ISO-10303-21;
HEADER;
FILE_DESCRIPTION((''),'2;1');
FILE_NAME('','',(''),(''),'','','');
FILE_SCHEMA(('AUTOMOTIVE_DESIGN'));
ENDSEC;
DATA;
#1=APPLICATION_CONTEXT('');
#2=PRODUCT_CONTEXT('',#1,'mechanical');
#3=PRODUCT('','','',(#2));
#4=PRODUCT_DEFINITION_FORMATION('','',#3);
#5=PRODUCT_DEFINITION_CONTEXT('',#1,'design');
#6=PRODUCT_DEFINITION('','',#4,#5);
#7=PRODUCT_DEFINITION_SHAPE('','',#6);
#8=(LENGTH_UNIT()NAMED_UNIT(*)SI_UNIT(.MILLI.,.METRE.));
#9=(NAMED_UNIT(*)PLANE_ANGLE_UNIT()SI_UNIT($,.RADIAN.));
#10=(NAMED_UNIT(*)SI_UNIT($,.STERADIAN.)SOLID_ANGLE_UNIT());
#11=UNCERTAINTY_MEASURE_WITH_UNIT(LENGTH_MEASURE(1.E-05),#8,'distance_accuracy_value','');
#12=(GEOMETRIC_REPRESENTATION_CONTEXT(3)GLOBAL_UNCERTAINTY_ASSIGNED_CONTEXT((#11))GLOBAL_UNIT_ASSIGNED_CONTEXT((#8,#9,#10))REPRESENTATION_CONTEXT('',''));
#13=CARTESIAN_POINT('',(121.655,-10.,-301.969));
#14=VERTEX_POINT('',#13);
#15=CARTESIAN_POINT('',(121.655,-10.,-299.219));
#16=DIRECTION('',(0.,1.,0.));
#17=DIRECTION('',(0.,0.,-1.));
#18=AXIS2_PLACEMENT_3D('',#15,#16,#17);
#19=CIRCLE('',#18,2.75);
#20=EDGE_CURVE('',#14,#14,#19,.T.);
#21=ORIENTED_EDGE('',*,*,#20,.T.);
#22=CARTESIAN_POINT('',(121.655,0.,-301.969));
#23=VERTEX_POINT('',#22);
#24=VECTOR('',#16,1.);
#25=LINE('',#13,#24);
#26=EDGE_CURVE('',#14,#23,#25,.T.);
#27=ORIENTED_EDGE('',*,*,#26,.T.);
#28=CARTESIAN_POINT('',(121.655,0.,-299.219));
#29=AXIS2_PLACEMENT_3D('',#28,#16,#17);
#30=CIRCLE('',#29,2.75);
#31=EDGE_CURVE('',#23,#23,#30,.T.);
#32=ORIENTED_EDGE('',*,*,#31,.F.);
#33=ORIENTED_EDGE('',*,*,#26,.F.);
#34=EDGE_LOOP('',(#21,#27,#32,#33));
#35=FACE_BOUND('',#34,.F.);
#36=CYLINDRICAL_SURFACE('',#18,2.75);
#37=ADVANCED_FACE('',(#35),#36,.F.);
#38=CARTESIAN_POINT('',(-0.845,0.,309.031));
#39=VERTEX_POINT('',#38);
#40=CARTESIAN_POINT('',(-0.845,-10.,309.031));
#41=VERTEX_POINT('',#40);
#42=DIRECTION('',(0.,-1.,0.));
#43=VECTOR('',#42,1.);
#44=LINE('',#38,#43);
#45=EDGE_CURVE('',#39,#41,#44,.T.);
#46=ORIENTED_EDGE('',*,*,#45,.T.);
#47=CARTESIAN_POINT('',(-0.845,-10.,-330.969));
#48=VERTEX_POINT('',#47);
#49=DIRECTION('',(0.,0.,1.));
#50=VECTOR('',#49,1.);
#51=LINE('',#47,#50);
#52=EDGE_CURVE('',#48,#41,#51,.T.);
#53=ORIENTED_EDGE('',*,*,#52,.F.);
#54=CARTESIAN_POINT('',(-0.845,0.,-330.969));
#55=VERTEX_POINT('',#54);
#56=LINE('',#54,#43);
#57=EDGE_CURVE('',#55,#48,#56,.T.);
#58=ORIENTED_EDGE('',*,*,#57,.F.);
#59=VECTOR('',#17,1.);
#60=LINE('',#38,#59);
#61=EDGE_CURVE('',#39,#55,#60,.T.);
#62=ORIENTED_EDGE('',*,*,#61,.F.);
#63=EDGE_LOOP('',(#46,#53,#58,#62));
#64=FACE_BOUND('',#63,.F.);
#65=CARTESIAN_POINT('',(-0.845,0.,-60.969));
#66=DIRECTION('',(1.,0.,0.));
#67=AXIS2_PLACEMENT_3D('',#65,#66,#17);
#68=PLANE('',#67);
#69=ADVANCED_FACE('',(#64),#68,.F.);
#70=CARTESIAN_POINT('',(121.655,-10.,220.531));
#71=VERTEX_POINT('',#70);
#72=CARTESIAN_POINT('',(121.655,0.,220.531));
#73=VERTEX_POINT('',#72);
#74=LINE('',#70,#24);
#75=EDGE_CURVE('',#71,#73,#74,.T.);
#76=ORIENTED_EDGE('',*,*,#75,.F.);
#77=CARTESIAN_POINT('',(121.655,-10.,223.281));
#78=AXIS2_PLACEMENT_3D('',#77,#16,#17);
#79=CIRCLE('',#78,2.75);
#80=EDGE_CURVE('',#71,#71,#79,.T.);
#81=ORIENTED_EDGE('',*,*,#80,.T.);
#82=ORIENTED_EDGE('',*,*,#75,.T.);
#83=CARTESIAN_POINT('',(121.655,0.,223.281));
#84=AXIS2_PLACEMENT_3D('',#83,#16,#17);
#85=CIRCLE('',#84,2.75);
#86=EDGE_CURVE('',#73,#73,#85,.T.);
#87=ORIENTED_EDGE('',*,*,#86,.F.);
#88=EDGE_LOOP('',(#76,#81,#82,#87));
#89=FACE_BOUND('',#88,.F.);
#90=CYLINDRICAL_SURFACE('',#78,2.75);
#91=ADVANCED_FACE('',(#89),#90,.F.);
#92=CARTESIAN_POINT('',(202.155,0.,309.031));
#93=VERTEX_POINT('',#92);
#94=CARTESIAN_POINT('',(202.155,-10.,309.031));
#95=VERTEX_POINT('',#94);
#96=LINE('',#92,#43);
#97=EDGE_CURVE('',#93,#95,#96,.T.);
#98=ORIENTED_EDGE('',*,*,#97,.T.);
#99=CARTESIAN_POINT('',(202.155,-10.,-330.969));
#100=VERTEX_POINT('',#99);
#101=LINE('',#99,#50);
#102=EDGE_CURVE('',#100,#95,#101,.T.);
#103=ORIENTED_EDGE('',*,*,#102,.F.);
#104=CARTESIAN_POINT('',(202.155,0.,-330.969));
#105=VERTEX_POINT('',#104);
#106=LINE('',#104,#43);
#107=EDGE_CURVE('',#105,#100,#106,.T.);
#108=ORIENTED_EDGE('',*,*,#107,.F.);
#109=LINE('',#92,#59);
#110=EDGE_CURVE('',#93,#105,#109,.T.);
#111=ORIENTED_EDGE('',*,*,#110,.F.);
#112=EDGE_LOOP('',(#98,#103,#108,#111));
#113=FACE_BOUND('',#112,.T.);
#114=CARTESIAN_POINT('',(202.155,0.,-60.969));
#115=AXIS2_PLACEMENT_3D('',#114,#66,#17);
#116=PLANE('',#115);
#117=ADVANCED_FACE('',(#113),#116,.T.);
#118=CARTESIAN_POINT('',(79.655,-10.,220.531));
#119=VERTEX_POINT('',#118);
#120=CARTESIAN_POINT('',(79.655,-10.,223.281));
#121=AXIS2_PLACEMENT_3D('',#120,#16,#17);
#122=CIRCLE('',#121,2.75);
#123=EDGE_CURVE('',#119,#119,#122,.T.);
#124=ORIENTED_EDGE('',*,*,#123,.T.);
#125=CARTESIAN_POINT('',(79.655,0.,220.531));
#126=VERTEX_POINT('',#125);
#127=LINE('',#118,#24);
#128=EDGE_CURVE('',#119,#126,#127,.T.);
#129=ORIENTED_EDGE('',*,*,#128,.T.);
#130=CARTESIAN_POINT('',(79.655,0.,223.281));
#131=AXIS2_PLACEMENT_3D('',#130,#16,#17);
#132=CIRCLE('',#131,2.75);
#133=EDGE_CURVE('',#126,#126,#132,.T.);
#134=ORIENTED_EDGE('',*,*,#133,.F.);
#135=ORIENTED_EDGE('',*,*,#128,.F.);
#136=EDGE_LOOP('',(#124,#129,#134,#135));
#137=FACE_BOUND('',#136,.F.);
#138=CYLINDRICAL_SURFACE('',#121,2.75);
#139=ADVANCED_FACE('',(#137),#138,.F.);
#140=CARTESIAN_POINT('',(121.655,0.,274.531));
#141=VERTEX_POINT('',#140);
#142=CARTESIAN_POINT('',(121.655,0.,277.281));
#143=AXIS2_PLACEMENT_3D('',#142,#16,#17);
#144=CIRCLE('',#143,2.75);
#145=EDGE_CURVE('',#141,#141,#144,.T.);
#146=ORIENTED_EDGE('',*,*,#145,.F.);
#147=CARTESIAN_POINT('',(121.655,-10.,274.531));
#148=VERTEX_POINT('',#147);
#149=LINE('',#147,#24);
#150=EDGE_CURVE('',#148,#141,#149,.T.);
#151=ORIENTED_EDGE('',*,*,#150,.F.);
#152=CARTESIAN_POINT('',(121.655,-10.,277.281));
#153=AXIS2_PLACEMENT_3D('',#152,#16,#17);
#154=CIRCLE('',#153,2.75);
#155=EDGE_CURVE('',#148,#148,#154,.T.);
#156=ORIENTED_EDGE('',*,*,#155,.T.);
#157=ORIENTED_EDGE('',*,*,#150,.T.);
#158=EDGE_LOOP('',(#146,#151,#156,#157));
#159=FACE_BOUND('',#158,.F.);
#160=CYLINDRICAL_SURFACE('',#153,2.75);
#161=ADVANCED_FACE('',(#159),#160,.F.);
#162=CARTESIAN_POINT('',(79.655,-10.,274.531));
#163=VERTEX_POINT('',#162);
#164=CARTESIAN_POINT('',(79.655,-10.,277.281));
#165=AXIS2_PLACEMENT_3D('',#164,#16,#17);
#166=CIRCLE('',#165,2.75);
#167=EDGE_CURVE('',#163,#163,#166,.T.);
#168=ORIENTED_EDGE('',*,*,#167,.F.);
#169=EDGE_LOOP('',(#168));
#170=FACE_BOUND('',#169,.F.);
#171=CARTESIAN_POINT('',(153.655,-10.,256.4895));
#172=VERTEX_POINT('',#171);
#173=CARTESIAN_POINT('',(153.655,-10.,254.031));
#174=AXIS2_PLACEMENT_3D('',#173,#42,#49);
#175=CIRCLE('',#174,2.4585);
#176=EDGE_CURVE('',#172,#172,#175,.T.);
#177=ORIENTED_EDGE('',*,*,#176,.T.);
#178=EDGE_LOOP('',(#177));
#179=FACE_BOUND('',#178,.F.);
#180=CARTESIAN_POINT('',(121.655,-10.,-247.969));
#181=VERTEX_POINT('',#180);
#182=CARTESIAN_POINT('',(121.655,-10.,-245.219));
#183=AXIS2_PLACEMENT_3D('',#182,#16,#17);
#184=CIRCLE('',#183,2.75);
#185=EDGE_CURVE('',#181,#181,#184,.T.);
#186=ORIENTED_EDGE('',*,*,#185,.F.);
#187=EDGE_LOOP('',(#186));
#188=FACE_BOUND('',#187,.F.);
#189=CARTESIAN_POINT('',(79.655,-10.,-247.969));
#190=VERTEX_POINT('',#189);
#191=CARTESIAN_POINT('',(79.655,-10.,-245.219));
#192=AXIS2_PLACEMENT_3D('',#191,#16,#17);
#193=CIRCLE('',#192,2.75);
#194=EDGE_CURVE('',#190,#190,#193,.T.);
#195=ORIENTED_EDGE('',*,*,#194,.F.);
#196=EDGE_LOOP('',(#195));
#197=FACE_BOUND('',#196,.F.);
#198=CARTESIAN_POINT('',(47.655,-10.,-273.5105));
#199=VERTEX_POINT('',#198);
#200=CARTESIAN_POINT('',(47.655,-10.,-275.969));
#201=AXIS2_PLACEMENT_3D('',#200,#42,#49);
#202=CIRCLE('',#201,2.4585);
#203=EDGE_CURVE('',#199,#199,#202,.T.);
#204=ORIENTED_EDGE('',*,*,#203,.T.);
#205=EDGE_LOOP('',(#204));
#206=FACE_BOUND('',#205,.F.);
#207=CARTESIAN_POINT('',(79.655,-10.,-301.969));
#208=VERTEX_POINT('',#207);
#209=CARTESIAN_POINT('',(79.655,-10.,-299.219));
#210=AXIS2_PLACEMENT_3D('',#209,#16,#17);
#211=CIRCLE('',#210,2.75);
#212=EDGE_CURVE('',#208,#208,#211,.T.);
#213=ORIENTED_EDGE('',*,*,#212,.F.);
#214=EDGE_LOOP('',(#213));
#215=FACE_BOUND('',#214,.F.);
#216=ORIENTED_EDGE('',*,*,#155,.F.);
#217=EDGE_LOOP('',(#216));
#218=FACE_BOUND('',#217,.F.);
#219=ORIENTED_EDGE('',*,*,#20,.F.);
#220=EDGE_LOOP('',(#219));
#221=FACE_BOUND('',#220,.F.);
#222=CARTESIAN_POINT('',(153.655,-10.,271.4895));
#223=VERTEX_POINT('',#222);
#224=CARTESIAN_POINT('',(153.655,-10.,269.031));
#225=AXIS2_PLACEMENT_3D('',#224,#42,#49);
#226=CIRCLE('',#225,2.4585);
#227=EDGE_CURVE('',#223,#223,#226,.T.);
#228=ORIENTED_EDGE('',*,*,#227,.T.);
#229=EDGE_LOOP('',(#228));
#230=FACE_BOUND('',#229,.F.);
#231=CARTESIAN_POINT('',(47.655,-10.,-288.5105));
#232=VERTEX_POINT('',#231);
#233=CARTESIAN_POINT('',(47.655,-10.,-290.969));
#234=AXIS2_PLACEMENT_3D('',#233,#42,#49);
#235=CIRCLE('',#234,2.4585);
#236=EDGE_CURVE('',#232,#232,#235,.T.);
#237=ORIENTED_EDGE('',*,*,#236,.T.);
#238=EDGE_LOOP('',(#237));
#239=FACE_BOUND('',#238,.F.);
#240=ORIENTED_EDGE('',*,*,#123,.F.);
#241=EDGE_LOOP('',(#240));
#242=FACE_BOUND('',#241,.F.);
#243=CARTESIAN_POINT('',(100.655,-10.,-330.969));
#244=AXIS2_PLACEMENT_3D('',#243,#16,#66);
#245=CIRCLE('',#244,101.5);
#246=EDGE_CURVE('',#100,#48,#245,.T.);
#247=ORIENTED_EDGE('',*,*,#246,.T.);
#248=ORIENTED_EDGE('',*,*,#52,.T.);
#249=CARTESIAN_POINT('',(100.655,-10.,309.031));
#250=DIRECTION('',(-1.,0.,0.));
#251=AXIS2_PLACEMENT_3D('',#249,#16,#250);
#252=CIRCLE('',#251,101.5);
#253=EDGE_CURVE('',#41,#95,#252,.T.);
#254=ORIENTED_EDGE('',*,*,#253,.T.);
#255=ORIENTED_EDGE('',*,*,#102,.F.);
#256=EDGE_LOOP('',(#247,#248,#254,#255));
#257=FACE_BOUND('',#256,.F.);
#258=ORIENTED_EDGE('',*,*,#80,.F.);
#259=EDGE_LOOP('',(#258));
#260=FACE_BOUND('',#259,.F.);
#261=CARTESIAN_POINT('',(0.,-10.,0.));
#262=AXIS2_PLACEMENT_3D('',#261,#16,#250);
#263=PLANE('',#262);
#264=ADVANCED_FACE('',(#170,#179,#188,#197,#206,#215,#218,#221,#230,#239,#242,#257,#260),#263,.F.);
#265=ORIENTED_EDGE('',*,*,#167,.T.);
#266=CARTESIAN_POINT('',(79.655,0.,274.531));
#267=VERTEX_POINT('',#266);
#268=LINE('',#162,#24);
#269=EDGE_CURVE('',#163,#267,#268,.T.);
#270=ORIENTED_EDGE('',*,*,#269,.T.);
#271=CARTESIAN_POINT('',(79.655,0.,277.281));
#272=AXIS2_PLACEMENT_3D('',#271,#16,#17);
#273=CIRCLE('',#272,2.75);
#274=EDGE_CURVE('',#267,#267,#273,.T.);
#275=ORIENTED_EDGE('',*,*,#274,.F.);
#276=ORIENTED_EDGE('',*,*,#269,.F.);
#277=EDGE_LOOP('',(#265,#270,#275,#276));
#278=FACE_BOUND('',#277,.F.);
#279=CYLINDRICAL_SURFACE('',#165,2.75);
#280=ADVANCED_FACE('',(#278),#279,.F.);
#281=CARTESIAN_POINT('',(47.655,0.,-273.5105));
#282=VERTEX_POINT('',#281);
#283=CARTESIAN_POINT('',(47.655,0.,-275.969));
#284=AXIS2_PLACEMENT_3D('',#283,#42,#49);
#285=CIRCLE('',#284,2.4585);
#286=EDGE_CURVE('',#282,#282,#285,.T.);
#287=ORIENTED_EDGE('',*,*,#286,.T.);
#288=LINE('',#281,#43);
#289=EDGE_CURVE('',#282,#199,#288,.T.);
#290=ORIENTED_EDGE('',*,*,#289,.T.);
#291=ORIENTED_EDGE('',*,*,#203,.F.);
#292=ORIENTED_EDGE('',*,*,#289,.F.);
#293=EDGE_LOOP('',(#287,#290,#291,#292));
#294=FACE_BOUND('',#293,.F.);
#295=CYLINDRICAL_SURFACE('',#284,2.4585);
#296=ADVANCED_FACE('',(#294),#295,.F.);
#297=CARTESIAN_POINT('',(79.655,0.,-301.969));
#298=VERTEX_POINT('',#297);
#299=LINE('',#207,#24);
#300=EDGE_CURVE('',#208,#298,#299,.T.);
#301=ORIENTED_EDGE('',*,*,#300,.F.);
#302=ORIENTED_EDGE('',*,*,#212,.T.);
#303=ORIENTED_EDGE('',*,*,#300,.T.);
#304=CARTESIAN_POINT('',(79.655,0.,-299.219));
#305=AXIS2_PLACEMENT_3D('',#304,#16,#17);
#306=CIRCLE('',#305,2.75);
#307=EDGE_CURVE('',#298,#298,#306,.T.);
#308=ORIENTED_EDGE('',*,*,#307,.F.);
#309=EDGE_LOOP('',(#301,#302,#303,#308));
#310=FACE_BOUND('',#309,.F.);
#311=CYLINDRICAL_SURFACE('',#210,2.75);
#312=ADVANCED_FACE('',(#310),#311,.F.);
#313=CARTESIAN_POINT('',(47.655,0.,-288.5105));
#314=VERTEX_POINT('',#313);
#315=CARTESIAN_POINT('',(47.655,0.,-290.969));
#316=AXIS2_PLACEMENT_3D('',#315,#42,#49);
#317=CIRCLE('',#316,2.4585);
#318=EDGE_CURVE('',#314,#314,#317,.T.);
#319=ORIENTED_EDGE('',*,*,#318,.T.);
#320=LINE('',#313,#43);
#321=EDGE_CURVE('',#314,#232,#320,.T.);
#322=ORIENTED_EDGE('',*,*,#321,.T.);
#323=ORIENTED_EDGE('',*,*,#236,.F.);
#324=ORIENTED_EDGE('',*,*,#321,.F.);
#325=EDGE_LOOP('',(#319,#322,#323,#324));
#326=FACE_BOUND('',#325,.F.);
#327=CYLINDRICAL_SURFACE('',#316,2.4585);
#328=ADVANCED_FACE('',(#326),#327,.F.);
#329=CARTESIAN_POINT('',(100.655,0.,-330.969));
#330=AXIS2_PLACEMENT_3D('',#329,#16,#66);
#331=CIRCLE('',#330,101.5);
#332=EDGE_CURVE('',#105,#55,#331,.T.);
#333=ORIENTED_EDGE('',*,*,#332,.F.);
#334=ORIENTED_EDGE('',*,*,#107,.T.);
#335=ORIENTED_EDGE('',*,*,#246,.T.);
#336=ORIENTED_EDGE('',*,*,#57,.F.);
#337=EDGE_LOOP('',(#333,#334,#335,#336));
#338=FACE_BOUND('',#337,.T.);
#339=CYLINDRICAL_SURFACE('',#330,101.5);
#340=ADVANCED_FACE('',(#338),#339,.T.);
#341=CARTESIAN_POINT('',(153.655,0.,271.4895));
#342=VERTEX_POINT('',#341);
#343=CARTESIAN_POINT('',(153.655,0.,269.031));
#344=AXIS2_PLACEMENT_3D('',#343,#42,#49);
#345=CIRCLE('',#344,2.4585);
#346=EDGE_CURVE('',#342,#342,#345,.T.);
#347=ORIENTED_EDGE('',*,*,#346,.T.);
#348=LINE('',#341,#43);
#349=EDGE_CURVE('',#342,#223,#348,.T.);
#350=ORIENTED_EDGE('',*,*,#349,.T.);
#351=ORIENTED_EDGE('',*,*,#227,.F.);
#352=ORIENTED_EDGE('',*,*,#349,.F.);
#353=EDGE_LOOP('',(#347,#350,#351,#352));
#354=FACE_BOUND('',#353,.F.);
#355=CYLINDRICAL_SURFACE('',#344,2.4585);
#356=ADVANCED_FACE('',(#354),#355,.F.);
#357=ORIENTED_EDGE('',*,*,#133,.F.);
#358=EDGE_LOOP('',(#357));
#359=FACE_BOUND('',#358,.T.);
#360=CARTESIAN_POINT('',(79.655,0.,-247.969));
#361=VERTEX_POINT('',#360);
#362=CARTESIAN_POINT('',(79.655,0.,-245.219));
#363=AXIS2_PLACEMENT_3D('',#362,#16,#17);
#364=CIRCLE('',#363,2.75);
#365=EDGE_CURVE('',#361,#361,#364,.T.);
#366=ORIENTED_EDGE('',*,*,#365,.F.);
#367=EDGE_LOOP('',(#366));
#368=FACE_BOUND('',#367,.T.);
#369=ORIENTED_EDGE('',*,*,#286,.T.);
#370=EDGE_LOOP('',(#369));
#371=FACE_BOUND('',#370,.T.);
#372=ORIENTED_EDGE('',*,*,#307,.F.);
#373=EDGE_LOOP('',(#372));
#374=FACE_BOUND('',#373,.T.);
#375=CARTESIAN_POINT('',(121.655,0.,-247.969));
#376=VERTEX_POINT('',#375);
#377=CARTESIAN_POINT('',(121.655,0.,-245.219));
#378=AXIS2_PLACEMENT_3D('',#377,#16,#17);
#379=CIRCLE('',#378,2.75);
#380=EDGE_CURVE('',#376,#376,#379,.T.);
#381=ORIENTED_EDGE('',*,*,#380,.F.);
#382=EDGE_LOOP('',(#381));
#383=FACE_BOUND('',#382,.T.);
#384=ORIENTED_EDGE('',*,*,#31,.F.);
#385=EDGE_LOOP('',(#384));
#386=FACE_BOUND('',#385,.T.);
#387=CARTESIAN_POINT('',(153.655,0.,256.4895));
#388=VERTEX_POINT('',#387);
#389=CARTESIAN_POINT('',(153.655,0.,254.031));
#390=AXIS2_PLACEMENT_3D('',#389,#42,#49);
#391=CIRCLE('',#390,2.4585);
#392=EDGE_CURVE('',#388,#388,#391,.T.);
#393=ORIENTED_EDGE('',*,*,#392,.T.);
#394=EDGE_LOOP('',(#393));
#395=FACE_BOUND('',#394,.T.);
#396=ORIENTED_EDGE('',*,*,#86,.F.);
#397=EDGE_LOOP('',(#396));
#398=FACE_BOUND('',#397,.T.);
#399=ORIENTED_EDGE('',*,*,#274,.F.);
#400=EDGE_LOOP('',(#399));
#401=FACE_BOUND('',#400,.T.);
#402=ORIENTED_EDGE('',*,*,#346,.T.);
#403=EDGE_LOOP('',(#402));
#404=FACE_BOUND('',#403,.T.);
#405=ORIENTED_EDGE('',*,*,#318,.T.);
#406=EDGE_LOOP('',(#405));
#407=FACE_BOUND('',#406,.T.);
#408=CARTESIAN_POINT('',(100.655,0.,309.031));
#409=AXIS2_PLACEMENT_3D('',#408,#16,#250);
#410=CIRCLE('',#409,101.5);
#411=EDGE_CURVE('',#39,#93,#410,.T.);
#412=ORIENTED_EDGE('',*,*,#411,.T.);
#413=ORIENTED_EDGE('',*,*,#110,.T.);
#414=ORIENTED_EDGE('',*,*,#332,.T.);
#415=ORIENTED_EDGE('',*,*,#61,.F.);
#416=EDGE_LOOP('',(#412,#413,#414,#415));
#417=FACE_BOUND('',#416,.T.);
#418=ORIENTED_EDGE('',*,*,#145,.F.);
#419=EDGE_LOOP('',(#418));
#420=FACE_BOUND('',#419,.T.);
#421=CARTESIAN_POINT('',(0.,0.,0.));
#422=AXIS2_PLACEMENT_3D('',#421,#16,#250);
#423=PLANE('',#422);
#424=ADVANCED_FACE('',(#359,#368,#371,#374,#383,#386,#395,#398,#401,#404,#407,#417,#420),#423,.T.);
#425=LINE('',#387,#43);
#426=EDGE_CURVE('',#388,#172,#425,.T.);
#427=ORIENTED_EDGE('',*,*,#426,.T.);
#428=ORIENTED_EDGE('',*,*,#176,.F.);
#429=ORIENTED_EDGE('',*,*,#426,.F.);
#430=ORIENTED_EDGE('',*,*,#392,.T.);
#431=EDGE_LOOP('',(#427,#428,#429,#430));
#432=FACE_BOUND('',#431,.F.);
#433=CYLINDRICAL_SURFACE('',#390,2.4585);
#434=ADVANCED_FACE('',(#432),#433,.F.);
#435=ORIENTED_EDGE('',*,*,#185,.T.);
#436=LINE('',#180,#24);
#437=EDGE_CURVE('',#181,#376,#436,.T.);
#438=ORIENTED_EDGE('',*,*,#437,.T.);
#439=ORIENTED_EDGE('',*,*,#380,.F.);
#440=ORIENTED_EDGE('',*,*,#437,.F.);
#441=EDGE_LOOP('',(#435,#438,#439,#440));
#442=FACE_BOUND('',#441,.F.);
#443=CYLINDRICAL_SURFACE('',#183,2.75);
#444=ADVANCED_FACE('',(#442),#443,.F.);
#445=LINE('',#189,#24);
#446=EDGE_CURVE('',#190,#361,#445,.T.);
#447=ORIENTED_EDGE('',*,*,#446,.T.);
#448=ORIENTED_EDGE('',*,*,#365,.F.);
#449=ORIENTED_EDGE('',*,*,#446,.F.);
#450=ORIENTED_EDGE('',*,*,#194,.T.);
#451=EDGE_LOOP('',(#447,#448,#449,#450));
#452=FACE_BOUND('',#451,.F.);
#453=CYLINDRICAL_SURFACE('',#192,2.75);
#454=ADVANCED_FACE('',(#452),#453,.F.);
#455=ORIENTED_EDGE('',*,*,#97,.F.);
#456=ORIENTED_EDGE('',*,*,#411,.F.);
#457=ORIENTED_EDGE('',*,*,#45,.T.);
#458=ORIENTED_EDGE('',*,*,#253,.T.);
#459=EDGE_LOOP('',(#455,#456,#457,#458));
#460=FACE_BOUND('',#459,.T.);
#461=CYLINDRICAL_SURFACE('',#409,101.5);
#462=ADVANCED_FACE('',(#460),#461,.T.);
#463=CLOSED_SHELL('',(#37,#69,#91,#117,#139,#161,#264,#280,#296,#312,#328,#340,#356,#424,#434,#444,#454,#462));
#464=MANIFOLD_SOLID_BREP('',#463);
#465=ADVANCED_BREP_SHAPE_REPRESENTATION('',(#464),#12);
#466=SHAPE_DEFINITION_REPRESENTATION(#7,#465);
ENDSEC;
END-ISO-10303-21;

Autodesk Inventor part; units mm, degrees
ref_plane "YZ Plane" through (0, 0, 0) normal (1, 0, 0) x (0, 1, 0)
ref_plane "XZ Plane" through (0, 0, 0) normal (0, 1, 0) x (-1, 0, 0)
ref_plane "XY Plane" through (0, 0, 0) normal (0, 0, 1) x (1, 0, 0)
sketch "スケッチ1" plane through (0, 0, 0) normal (0, 1, 0) x (-1, 0, 0)
  point P0 (0, 0)
sketch "スケッチ2" plane through (0, 0, 0) normal (0, 1, 0) x (-1, 0, 0)
  line L0 (0.845, -60.969) -> (0.845, -330.969)
  line L1 (0, 0) -> (0, -1.5537)
  line L2 (-202.155, -60.969) -> (-202.155, -330.969)
  arc A0 (-202.155, -330.969) -> (0.845, -330.969) centre (-100.655, -330.969) ccw
  line L3 (0.845, -60.969) -> (0.845, 309.031)
  line L4 (-202.155, -60.969) -> (-202.155, 309.031)
  arc A1 (0.845, 309.031) -> (-202.155, 309.031) centre (-100.655, 309.031) ccw
  dimension "d0" = 270
  dimension "d1" = 203
extrude "押し出し1" add sketch "スケッチ2" against normal blind 10
sketch "スケッチ4" plane through (0, -10, 0) normal (0, -1, 0) x (1, 0, 0)
  line L0 (73.655, -234.969) -> (127.655, -234.969)
  line L1 (127.655, -234.969) -> (127.655, -310.969)
  line L2 (127.655, -310.969) -> (73.655, -310.969)
  line L3 (73.655, -310.969) -> (73.655, -234.969)
  line L4 (202.155, -330.969) -> (202.155, 309.031) projected
  line L5 (-0.845, 309.031) -> (-0.845, -330.969) projected
  arc A0 (-0.845, -330.969) -> (202.155, -330.969) centre (100.655, -330.969) ccw projected
  line L6 (-0.845, -10.969) -> (202.155, -10.969)
  arc A1 (202.155, 309.031) -> (-0.845, 309.031) centre (100.655, 309.031) ccw projected
  line L7 (73.655, 213.031) -> (127.655, 213.031)
  line L8 (127.655, 213.031) -> (127.655, 289.031)
  line L9 (127.655, 289.031) -> (73.655, 289.031)
  line L10 (73.655, 289.031) -> (73.655, 213.031)
  circle A2 centre (79.655, -299.219) radius 2.75
  line L11 (100.655, -256.1001) -> (100.655, -272.969)
  circle A3 centre (79.655, -245.219) radius 2.75
  circle A4 centre (121.655, -299.219) radius 2.75
  circle A5 centre (121.655, -245.219) radius 2.75
  line L12 (73.655, 213.031) -> (127.655, 213.031)
  line L13 (127.655, 213.031) -> (127.655, 289.031)
  line L14 (127.655, 289.031) -> (73.655, 289.031)
  line L15 (73.655, 289.031) -> (73.655, 213.031)
  circle A6 centre (79.655, 277.281) radius 2.75
  line L16 (100.655, 234.1622) -> (100.655, 251.031)
  circle A7 centre (79.655, 223.281) radius 2.75
  circle A8 centre (121.655, 223.281) radius 2.75
  circle A9 centre (121.655, 277.281) radius 2.75
  point P0 (0, 0)
  dimension "d4" = 74.5
  dimension "d5" = 74.5
  dimension "d6" = 54
  dimension "d7" = 76
  dimension "d8" = 20
  dimension "d9" = 320
  dimension "d17" = 5.5
  dimension "d18" = 11.75
  dimension "d19" = 6
  dimension "d20" = 27
  dimension "d21" = 5.5
  dimension "d22" = 10.25
  dimension "d23" = 6
hole "穴2" at (79.655, -10, -245.219) at (79.655, -10, -299.219) at (121.655, -10, -299.219) at (121.655, -10, -245.219) direction (0, 1, 0) diameter 5.5 end through all
hole "穴3" at (79.655, -10, 223.281) at (121.655, -10, 223.281) at (121.655, -10, 277.281) at (79.655, -10, 277.281) direction (0, 1, 0) diameter 5.5 end through all
sketch "スケッチ6" plane through (0, 0, 0) normal (0, 1, 0) x (1, 0, 0)
  circle A0 centre (153.655, -269.031) radius 6
  circle A1 centre (153.655, -254.031) radius 6
  line L0 (202.155, 330.969) -> (202.155, -309.031) projected
  arc A2 (-0.845, -309.031) -> (202.155, -309.031) centre (100.655, -309.031) ccw projected
  point P0 (0, 0)
  dimension "d40" = 12
  dimension "d41" = 12
  dimension "d42" = 15
  dimension "d43" = 48.5
  dimension "d44" = 48.5
  dimension "d45" = 40
hole "穴4" at (153.655, 0, 254.031) at (153.655, 0, 269.031) direction (0, -1, 0) diameter 4.917 end through all thread size "M6x1" class "6H" standard "ANSI Metric M Profile"
sketch "スケッチ7" plane through (0, 0, 0) normal (0, 1, 0) x (1, 0, 0)
  circle A0 centre (47.655, 290.969) radius 6
  circle A1 centre (47.655, 275.969) radius 6
  arc A2 (202.155, 330.969) -> (-0.845, 330.969) centre (100.655, 330.969) ccw projected
  line L0 (-0.845, -309.031) -> (-0.845, 330.969) projected
  point P0 (0, 0)
  dimension "d53" = 12
  dimension "d54" = 12
  dimension "d55" = 15
  dimension "d56" = 40
  dimension "d57" = 48.5
  dimension "d58" = 48.5
hole "穴5" at (47.655, 0, -290.969) at (47.655, 0, -275.969) direction (0, -1, 0) diameter 4.917 end through all thread size "M6x1" class "6H" standard "ANSI Metric M Profile"
properties part number "sfp_smartboard_lower_deck" material "合板、仕上げ"
